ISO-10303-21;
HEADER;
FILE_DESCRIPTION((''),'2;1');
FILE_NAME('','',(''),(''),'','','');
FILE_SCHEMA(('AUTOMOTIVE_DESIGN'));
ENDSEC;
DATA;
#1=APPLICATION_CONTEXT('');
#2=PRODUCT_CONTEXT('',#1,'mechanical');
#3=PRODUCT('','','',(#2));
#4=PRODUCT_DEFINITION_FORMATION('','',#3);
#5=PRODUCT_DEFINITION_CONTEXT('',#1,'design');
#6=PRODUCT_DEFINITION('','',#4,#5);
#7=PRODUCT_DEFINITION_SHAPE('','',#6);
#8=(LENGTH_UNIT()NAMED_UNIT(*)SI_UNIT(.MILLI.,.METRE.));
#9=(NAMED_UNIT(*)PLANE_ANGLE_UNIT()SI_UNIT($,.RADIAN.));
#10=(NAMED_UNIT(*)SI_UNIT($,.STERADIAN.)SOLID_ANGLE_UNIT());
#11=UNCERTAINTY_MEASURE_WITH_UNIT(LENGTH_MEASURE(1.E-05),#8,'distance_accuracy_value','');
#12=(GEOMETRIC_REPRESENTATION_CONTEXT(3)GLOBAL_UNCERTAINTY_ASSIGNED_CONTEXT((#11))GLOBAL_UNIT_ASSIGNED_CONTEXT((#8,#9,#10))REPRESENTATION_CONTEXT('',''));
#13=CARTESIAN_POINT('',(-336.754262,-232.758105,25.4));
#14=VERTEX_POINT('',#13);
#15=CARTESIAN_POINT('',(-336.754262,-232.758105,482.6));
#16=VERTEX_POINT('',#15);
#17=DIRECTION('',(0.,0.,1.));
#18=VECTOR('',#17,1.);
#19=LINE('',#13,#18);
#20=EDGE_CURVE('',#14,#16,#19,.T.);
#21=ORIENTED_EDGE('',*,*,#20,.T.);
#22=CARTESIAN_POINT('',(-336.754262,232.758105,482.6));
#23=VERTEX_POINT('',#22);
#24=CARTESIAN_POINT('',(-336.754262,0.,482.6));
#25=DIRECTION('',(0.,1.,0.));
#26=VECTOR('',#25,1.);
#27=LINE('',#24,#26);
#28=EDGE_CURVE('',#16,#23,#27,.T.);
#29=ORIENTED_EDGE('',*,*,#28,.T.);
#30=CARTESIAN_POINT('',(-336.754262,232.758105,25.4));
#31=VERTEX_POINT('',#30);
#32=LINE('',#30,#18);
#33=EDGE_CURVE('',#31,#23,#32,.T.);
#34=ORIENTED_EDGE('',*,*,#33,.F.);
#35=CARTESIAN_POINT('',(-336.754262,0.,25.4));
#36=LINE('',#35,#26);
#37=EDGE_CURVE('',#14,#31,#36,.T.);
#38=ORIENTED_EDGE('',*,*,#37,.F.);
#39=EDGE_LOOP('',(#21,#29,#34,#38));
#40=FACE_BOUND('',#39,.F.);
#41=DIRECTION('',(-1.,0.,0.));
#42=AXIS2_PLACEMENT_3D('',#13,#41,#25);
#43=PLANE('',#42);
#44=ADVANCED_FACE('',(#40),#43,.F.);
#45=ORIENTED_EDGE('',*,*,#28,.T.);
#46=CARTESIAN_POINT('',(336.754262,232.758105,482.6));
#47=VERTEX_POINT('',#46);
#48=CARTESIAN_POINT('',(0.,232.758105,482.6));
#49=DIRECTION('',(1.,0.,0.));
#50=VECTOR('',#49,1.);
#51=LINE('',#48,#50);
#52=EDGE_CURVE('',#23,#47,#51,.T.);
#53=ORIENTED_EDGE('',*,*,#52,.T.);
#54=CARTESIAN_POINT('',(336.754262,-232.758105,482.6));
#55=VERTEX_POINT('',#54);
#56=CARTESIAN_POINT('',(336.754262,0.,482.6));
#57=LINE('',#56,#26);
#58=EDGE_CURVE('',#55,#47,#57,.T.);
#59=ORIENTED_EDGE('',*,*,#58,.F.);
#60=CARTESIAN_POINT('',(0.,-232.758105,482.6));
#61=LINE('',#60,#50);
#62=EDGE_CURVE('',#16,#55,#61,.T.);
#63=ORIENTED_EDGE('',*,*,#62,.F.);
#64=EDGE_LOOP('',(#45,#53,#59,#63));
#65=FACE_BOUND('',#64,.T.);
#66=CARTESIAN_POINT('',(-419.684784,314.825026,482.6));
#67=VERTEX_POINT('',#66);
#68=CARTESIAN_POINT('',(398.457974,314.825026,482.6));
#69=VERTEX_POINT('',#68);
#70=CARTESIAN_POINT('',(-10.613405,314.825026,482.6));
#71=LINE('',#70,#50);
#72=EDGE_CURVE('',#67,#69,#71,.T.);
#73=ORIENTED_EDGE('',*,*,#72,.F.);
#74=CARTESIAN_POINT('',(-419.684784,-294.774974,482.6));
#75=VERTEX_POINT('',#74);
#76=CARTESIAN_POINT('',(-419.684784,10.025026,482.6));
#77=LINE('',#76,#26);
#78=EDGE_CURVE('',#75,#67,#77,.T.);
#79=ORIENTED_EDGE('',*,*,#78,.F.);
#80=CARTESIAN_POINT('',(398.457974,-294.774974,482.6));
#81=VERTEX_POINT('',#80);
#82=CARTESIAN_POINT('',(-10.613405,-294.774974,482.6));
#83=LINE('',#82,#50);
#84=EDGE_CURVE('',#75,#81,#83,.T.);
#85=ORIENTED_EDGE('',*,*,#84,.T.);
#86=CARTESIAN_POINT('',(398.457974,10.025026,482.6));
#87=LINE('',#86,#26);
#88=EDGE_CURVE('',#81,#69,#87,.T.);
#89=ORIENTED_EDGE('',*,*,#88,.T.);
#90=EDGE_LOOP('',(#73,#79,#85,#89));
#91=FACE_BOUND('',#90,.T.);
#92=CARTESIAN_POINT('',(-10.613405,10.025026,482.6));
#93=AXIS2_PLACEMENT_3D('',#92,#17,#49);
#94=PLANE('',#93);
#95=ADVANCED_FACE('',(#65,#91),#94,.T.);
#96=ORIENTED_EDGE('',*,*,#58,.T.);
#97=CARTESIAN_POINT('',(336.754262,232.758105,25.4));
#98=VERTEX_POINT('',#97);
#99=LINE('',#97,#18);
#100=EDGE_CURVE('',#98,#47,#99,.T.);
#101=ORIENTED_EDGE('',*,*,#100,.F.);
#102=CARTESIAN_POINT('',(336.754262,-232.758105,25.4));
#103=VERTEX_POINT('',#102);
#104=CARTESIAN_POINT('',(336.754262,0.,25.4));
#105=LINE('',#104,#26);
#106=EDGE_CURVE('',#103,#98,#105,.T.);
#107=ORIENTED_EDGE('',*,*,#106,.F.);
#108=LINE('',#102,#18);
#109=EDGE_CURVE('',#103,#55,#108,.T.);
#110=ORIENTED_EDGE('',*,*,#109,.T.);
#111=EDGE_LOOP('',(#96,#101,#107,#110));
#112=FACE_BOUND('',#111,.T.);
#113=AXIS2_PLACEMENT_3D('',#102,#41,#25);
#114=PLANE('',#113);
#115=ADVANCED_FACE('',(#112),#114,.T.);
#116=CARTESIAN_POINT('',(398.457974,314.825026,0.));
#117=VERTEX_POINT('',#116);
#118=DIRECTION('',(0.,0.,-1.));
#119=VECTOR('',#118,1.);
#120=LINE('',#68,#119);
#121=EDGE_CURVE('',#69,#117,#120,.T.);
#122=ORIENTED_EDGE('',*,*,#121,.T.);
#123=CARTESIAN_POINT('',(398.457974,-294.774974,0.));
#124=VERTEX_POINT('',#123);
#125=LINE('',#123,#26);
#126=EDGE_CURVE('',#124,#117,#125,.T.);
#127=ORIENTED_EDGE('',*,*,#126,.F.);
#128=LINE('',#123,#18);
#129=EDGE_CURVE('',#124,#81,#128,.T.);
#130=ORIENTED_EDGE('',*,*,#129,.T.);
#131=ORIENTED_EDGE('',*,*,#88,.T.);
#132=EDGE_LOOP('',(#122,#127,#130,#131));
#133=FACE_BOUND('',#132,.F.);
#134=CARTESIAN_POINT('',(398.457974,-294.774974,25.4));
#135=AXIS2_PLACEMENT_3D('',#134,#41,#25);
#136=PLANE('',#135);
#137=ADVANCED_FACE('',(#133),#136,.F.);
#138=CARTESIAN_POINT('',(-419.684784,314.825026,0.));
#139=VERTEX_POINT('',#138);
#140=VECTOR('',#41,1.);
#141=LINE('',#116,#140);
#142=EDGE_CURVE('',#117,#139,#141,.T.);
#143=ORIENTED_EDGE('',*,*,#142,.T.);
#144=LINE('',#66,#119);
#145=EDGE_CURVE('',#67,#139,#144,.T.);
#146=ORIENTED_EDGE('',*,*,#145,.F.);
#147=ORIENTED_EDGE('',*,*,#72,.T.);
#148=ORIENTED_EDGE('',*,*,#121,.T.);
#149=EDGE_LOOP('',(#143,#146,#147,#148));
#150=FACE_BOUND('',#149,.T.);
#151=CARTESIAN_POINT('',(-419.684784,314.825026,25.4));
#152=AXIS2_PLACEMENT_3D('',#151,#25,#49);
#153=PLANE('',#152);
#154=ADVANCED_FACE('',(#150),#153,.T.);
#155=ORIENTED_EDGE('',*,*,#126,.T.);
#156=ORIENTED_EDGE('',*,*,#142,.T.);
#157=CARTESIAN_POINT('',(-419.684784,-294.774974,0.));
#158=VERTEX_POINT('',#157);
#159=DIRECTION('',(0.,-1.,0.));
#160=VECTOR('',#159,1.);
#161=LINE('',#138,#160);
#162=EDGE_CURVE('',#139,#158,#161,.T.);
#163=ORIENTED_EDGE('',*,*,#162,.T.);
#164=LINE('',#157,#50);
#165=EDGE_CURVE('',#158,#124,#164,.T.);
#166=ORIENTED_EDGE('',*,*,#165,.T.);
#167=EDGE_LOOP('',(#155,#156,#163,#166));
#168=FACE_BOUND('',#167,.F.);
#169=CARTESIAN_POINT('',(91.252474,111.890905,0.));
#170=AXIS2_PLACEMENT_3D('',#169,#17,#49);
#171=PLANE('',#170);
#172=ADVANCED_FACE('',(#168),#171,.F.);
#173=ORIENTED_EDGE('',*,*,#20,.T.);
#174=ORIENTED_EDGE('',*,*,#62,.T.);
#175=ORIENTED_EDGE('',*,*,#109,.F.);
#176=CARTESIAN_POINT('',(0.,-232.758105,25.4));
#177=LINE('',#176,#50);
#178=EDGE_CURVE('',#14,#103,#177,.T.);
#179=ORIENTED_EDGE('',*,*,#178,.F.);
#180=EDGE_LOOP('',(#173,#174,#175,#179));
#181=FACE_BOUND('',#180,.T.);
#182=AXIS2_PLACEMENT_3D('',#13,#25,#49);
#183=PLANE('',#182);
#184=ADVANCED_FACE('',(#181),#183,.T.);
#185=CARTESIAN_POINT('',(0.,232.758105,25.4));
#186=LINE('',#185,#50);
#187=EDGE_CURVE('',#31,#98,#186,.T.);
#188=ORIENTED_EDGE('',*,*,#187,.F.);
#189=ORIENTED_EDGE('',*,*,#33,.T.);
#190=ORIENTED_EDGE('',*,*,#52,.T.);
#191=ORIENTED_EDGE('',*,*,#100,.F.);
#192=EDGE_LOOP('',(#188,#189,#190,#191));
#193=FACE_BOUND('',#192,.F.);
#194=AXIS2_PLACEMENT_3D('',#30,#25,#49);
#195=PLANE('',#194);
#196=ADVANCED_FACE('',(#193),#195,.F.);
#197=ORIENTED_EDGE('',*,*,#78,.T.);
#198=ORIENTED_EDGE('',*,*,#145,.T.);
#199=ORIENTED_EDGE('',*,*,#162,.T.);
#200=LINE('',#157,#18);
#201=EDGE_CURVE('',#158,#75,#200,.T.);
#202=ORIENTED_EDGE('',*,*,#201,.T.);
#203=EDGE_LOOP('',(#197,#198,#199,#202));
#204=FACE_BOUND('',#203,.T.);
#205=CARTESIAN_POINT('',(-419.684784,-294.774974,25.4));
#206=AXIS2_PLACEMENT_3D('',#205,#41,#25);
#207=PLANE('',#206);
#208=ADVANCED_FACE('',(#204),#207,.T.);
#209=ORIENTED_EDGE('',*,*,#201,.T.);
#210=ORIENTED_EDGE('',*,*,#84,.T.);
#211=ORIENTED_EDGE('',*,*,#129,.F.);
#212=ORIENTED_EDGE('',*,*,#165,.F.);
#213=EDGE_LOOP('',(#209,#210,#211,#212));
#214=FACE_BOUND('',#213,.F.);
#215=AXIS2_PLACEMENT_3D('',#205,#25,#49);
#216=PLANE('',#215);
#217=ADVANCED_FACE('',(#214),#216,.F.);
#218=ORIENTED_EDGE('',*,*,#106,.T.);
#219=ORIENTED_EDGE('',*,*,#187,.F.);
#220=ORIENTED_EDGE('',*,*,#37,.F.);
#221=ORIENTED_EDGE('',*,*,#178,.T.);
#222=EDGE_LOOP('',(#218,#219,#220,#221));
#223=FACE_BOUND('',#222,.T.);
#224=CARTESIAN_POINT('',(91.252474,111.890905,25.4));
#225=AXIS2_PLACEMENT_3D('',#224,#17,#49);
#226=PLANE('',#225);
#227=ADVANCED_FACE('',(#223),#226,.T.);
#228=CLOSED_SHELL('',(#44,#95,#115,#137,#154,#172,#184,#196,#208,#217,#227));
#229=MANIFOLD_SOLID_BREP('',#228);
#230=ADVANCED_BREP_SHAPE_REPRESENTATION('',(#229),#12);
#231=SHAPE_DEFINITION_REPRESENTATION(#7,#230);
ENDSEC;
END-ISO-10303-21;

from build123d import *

# Parameters (mm, degrees)
F1_DEPTH = 25.4
F2_W     = 818.142758
F2_H     = 609.6
F2_W_2   = 673.508524
F2_H_2   = 465.51621
F3_DEPTH = 457.2


with BuildPart() as f1:
    # F0 (on Top) → F1 (new body)
    with BuildSketch(Plane.XY):
        Polygon((-419.684784, 314.825026), (398.457974, -294.774974), (398.457974, 314.825026), align=None)
        Polygon((-419.684784, -294.774974), (398.457974, -294.774974), (-419.684784, 314.825026), align=None)
    extrude(amount=F1_DEPTH)

    # F2 (on face) → F3 (join)
    with BuildSketch(Plane.XY.offset(25.4)):
        with Locations((-10.613405, 10.025026)):
            Rectangle(F2_W, F2_H)
        Rectangle(F2_W_2, F2_H_2, mode=Mode.SUBTRACT)
    extrude(amount=F3_DEPTH)


solid = f1.part
